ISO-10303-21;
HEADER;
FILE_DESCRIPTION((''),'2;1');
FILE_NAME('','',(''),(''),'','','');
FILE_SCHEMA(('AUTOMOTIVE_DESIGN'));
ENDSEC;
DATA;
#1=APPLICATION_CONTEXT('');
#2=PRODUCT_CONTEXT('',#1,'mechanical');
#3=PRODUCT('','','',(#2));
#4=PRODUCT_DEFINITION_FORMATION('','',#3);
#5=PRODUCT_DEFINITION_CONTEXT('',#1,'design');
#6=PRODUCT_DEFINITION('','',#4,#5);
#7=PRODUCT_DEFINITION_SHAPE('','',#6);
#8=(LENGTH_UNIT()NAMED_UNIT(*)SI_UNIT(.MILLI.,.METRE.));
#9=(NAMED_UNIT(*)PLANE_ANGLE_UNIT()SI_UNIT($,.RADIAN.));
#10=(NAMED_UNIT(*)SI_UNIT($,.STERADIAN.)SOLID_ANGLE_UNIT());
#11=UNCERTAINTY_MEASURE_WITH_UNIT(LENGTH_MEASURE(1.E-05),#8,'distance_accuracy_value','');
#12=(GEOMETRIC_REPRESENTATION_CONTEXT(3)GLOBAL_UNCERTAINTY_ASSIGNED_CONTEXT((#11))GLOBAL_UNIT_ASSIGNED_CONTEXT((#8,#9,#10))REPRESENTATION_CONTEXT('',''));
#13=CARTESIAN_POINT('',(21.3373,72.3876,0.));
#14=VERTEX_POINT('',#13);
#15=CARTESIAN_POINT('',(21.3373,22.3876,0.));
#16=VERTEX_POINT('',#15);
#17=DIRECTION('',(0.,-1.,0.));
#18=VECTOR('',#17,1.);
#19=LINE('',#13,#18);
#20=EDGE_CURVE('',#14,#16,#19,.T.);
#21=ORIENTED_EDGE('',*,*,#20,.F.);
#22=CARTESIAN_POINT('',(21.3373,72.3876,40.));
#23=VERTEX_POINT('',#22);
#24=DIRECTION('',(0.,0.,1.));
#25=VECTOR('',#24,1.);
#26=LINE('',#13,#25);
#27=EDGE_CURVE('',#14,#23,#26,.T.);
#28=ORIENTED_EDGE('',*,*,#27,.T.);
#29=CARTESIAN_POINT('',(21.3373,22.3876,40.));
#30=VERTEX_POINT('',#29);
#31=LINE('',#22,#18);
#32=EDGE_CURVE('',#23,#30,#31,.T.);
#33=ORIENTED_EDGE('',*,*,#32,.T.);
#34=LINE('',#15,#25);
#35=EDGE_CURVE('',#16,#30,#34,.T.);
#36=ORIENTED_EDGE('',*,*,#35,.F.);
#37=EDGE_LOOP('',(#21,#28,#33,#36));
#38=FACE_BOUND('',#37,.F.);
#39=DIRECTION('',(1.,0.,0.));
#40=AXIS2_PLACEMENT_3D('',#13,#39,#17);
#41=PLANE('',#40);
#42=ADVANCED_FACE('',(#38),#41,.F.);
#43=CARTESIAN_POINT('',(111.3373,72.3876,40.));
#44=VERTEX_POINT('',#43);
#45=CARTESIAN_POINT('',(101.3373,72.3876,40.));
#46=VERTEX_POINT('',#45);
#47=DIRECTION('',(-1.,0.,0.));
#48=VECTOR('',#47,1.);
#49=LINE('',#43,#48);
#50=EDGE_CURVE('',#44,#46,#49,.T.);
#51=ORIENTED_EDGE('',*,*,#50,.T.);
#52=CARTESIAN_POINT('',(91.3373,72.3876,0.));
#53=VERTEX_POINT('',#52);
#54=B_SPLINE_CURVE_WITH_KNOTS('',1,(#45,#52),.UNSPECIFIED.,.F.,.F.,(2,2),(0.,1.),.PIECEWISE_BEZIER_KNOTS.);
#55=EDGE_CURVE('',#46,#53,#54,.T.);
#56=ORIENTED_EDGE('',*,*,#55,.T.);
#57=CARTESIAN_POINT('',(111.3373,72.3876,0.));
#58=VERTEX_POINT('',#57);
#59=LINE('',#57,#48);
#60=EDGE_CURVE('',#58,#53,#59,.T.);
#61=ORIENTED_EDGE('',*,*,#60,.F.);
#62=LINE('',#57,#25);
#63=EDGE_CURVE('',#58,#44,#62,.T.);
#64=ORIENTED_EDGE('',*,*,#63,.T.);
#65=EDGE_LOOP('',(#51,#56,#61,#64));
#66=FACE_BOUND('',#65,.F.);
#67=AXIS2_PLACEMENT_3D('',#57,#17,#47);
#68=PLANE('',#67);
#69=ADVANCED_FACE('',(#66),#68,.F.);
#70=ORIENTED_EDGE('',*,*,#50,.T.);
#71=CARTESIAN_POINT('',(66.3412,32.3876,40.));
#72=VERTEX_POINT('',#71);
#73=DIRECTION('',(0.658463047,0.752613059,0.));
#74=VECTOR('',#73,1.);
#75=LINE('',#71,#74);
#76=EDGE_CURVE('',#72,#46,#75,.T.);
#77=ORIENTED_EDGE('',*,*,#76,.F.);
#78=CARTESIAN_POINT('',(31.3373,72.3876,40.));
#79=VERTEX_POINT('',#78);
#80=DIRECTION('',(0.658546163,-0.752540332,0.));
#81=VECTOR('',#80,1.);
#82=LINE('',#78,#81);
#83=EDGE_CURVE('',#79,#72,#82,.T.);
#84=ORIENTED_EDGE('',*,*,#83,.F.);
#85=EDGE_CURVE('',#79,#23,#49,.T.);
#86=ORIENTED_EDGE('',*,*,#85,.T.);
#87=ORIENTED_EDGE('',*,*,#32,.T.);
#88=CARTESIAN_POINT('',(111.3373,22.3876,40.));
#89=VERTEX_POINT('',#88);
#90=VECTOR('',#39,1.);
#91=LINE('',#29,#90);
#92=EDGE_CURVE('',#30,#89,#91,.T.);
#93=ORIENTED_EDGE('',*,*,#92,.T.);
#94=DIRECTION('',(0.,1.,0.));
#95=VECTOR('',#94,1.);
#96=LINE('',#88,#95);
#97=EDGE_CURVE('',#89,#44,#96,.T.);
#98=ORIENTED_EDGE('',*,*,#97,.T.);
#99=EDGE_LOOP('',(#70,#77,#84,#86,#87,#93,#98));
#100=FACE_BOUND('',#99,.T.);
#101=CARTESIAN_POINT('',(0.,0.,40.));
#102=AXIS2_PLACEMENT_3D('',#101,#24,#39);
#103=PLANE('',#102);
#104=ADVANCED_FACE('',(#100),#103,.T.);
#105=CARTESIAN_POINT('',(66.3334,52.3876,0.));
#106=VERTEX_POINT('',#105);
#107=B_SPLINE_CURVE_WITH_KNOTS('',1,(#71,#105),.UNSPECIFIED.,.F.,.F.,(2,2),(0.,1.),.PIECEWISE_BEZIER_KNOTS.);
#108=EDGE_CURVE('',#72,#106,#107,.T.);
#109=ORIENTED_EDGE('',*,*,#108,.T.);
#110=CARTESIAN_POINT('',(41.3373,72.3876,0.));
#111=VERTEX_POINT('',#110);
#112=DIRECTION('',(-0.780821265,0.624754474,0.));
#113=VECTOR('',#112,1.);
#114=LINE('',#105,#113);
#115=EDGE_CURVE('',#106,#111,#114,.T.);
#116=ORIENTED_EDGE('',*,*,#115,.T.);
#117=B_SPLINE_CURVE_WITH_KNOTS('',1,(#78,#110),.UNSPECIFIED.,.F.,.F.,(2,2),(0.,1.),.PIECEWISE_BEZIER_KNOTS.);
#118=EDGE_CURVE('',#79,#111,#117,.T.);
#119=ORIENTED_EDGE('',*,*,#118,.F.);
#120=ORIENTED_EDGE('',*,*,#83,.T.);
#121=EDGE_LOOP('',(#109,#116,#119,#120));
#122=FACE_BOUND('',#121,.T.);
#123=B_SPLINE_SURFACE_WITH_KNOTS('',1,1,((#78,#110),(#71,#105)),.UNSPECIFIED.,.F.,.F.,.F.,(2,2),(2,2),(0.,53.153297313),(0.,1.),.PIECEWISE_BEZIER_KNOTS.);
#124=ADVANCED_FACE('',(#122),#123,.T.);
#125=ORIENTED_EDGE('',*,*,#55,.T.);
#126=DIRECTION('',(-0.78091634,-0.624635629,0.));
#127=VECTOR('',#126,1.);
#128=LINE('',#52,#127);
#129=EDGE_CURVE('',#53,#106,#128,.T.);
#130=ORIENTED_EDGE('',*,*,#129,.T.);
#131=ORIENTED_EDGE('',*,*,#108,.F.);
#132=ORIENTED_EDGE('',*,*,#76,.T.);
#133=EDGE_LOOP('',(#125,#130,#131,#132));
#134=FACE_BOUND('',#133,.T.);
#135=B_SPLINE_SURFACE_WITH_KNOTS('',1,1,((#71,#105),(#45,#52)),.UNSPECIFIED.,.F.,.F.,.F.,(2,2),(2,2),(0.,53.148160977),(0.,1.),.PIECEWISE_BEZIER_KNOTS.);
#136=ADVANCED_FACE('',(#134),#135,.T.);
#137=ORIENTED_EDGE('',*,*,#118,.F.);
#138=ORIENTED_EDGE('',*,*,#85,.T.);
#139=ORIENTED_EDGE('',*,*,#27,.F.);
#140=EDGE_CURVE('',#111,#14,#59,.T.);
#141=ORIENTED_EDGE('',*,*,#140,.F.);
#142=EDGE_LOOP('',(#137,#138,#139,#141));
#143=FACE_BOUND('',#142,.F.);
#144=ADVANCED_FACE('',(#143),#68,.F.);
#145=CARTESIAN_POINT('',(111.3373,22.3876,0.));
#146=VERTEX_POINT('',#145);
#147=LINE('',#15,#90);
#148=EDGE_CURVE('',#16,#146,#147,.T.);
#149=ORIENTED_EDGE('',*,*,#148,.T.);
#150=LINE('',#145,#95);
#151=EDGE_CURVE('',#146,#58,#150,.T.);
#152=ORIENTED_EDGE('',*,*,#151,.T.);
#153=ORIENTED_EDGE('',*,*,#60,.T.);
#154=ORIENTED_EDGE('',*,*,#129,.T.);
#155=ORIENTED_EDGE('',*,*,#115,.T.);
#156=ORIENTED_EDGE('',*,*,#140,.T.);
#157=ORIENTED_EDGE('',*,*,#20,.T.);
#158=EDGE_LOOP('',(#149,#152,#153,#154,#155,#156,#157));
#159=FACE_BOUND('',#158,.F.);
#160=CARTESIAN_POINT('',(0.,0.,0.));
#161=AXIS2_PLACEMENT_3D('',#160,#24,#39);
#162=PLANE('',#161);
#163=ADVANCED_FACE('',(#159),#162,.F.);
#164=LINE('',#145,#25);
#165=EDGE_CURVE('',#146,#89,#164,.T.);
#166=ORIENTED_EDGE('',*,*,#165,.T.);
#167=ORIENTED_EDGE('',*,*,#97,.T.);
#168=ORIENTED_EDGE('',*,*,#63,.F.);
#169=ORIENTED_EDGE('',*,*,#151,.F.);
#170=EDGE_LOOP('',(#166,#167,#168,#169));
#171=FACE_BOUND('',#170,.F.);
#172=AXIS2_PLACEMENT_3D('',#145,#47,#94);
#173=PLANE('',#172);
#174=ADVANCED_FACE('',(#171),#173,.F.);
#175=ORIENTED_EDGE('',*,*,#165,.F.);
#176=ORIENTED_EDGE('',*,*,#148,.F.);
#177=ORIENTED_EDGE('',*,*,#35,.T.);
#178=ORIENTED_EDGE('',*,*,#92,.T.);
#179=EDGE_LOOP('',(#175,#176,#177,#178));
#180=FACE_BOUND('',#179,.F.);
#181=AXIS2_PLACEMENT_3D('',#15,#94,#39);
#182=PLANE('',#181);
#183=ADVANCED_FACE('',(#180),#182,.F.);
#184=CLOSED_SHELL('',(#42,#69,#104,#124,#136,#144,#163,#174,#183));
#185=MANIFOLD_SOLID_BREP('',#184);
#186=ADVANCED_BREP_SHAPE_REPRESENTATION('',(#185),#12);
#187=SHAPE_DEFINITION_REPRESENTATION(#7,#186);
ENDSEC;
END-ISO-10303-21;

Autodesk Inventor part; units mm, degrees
ref_plane "YZ Plane" through (0, 0, 0) normal (1, 0, 0) x (0, 1, 0)
ref_plane "XZ Plane" through (0, 0, 0) normal (0, 1, 0) x (-1, 0, 0)
ref_plane "XY Plane" through (0, 0, 0) normal (0, 0, 1) x (1, 0, 0)
sketch "Sketch1" plane through (0, 0, 0) normal (0, 0, 1) x (1, 0, 0)
  line L0 (21.3373, 22.3876) -> (111.3373, 22.3876)
  line L1 (111.3373, 22.3876) -> (111.3373, 72.3876)
  line L2 (111.3373, 72.3876) -> (21.3373, 72.3876)
  line L3 (21.3373, 72.3876) -> (21.3373, 22.3876)
  point P0 (0, 0)
extrude "Extrusion1" add sketch "Sketch1" along normal blind 40
sketch "Sketch4" plane through (0, 0, 40) normal (0, 0, 1) x (1, 0, 0)
  line L0 (111.3373, 72.3876) -> (21.3373, 72.3876) projected
  line L1 (31.3373, 72.3876) -> (66.3412, 32.3876)
  line L2 (66.3412, 32.3876) -> (101.3373, 72.3876)
  line L3 (21.3373, 72.3876) -> (21.3373, 22.3876) projected
  line L4 (111.3373, 22.3876) -> (111.3373, 72.3876) projected
  line L5 (21.3373, 22.3876) -> (111.3373, 22.3876) projected
  point P0 (0, 0)
  dimension "d14" = 10
  dimension "d15" = 10
  dimension "d16" = 10
  dimension "d17" = 44.9961
sketch "Sketch5" plane through (0, 0, 0) normal (0, 0, -1) x (-1, 0, 0)
  line L0 (-111.3373, 72.3876) -> (-21.3373, 72.3876) projected
  line L1 (-91.3373, 72.3876) -> (-66.3334, 52.3876)
  line L2 (-66.3334, 52.3876) -> (-41.3373, 72.3876)
  line L3 (-21.3373, 72.3876) -> (-21.3373, 22.3876) projected
  line L4 (-111.3373, 22.3876) -> (-111.3373, 72.3876) projected
  line L5 (-21.3373, 22.3876) -> (-111.3373, 22.3876) projected
  point P0 (0, 0)
  dimension "d18" = 20
  dimension "d19" = 20
  dimension "d20" = 30
  dimension "d21" = 44.9961
loft "Loft1" cut profiles "Sketch4", "Sketch5" contours L2 L1 L0 / L0 L2 L1
properties part number "7.1 Part 3"
